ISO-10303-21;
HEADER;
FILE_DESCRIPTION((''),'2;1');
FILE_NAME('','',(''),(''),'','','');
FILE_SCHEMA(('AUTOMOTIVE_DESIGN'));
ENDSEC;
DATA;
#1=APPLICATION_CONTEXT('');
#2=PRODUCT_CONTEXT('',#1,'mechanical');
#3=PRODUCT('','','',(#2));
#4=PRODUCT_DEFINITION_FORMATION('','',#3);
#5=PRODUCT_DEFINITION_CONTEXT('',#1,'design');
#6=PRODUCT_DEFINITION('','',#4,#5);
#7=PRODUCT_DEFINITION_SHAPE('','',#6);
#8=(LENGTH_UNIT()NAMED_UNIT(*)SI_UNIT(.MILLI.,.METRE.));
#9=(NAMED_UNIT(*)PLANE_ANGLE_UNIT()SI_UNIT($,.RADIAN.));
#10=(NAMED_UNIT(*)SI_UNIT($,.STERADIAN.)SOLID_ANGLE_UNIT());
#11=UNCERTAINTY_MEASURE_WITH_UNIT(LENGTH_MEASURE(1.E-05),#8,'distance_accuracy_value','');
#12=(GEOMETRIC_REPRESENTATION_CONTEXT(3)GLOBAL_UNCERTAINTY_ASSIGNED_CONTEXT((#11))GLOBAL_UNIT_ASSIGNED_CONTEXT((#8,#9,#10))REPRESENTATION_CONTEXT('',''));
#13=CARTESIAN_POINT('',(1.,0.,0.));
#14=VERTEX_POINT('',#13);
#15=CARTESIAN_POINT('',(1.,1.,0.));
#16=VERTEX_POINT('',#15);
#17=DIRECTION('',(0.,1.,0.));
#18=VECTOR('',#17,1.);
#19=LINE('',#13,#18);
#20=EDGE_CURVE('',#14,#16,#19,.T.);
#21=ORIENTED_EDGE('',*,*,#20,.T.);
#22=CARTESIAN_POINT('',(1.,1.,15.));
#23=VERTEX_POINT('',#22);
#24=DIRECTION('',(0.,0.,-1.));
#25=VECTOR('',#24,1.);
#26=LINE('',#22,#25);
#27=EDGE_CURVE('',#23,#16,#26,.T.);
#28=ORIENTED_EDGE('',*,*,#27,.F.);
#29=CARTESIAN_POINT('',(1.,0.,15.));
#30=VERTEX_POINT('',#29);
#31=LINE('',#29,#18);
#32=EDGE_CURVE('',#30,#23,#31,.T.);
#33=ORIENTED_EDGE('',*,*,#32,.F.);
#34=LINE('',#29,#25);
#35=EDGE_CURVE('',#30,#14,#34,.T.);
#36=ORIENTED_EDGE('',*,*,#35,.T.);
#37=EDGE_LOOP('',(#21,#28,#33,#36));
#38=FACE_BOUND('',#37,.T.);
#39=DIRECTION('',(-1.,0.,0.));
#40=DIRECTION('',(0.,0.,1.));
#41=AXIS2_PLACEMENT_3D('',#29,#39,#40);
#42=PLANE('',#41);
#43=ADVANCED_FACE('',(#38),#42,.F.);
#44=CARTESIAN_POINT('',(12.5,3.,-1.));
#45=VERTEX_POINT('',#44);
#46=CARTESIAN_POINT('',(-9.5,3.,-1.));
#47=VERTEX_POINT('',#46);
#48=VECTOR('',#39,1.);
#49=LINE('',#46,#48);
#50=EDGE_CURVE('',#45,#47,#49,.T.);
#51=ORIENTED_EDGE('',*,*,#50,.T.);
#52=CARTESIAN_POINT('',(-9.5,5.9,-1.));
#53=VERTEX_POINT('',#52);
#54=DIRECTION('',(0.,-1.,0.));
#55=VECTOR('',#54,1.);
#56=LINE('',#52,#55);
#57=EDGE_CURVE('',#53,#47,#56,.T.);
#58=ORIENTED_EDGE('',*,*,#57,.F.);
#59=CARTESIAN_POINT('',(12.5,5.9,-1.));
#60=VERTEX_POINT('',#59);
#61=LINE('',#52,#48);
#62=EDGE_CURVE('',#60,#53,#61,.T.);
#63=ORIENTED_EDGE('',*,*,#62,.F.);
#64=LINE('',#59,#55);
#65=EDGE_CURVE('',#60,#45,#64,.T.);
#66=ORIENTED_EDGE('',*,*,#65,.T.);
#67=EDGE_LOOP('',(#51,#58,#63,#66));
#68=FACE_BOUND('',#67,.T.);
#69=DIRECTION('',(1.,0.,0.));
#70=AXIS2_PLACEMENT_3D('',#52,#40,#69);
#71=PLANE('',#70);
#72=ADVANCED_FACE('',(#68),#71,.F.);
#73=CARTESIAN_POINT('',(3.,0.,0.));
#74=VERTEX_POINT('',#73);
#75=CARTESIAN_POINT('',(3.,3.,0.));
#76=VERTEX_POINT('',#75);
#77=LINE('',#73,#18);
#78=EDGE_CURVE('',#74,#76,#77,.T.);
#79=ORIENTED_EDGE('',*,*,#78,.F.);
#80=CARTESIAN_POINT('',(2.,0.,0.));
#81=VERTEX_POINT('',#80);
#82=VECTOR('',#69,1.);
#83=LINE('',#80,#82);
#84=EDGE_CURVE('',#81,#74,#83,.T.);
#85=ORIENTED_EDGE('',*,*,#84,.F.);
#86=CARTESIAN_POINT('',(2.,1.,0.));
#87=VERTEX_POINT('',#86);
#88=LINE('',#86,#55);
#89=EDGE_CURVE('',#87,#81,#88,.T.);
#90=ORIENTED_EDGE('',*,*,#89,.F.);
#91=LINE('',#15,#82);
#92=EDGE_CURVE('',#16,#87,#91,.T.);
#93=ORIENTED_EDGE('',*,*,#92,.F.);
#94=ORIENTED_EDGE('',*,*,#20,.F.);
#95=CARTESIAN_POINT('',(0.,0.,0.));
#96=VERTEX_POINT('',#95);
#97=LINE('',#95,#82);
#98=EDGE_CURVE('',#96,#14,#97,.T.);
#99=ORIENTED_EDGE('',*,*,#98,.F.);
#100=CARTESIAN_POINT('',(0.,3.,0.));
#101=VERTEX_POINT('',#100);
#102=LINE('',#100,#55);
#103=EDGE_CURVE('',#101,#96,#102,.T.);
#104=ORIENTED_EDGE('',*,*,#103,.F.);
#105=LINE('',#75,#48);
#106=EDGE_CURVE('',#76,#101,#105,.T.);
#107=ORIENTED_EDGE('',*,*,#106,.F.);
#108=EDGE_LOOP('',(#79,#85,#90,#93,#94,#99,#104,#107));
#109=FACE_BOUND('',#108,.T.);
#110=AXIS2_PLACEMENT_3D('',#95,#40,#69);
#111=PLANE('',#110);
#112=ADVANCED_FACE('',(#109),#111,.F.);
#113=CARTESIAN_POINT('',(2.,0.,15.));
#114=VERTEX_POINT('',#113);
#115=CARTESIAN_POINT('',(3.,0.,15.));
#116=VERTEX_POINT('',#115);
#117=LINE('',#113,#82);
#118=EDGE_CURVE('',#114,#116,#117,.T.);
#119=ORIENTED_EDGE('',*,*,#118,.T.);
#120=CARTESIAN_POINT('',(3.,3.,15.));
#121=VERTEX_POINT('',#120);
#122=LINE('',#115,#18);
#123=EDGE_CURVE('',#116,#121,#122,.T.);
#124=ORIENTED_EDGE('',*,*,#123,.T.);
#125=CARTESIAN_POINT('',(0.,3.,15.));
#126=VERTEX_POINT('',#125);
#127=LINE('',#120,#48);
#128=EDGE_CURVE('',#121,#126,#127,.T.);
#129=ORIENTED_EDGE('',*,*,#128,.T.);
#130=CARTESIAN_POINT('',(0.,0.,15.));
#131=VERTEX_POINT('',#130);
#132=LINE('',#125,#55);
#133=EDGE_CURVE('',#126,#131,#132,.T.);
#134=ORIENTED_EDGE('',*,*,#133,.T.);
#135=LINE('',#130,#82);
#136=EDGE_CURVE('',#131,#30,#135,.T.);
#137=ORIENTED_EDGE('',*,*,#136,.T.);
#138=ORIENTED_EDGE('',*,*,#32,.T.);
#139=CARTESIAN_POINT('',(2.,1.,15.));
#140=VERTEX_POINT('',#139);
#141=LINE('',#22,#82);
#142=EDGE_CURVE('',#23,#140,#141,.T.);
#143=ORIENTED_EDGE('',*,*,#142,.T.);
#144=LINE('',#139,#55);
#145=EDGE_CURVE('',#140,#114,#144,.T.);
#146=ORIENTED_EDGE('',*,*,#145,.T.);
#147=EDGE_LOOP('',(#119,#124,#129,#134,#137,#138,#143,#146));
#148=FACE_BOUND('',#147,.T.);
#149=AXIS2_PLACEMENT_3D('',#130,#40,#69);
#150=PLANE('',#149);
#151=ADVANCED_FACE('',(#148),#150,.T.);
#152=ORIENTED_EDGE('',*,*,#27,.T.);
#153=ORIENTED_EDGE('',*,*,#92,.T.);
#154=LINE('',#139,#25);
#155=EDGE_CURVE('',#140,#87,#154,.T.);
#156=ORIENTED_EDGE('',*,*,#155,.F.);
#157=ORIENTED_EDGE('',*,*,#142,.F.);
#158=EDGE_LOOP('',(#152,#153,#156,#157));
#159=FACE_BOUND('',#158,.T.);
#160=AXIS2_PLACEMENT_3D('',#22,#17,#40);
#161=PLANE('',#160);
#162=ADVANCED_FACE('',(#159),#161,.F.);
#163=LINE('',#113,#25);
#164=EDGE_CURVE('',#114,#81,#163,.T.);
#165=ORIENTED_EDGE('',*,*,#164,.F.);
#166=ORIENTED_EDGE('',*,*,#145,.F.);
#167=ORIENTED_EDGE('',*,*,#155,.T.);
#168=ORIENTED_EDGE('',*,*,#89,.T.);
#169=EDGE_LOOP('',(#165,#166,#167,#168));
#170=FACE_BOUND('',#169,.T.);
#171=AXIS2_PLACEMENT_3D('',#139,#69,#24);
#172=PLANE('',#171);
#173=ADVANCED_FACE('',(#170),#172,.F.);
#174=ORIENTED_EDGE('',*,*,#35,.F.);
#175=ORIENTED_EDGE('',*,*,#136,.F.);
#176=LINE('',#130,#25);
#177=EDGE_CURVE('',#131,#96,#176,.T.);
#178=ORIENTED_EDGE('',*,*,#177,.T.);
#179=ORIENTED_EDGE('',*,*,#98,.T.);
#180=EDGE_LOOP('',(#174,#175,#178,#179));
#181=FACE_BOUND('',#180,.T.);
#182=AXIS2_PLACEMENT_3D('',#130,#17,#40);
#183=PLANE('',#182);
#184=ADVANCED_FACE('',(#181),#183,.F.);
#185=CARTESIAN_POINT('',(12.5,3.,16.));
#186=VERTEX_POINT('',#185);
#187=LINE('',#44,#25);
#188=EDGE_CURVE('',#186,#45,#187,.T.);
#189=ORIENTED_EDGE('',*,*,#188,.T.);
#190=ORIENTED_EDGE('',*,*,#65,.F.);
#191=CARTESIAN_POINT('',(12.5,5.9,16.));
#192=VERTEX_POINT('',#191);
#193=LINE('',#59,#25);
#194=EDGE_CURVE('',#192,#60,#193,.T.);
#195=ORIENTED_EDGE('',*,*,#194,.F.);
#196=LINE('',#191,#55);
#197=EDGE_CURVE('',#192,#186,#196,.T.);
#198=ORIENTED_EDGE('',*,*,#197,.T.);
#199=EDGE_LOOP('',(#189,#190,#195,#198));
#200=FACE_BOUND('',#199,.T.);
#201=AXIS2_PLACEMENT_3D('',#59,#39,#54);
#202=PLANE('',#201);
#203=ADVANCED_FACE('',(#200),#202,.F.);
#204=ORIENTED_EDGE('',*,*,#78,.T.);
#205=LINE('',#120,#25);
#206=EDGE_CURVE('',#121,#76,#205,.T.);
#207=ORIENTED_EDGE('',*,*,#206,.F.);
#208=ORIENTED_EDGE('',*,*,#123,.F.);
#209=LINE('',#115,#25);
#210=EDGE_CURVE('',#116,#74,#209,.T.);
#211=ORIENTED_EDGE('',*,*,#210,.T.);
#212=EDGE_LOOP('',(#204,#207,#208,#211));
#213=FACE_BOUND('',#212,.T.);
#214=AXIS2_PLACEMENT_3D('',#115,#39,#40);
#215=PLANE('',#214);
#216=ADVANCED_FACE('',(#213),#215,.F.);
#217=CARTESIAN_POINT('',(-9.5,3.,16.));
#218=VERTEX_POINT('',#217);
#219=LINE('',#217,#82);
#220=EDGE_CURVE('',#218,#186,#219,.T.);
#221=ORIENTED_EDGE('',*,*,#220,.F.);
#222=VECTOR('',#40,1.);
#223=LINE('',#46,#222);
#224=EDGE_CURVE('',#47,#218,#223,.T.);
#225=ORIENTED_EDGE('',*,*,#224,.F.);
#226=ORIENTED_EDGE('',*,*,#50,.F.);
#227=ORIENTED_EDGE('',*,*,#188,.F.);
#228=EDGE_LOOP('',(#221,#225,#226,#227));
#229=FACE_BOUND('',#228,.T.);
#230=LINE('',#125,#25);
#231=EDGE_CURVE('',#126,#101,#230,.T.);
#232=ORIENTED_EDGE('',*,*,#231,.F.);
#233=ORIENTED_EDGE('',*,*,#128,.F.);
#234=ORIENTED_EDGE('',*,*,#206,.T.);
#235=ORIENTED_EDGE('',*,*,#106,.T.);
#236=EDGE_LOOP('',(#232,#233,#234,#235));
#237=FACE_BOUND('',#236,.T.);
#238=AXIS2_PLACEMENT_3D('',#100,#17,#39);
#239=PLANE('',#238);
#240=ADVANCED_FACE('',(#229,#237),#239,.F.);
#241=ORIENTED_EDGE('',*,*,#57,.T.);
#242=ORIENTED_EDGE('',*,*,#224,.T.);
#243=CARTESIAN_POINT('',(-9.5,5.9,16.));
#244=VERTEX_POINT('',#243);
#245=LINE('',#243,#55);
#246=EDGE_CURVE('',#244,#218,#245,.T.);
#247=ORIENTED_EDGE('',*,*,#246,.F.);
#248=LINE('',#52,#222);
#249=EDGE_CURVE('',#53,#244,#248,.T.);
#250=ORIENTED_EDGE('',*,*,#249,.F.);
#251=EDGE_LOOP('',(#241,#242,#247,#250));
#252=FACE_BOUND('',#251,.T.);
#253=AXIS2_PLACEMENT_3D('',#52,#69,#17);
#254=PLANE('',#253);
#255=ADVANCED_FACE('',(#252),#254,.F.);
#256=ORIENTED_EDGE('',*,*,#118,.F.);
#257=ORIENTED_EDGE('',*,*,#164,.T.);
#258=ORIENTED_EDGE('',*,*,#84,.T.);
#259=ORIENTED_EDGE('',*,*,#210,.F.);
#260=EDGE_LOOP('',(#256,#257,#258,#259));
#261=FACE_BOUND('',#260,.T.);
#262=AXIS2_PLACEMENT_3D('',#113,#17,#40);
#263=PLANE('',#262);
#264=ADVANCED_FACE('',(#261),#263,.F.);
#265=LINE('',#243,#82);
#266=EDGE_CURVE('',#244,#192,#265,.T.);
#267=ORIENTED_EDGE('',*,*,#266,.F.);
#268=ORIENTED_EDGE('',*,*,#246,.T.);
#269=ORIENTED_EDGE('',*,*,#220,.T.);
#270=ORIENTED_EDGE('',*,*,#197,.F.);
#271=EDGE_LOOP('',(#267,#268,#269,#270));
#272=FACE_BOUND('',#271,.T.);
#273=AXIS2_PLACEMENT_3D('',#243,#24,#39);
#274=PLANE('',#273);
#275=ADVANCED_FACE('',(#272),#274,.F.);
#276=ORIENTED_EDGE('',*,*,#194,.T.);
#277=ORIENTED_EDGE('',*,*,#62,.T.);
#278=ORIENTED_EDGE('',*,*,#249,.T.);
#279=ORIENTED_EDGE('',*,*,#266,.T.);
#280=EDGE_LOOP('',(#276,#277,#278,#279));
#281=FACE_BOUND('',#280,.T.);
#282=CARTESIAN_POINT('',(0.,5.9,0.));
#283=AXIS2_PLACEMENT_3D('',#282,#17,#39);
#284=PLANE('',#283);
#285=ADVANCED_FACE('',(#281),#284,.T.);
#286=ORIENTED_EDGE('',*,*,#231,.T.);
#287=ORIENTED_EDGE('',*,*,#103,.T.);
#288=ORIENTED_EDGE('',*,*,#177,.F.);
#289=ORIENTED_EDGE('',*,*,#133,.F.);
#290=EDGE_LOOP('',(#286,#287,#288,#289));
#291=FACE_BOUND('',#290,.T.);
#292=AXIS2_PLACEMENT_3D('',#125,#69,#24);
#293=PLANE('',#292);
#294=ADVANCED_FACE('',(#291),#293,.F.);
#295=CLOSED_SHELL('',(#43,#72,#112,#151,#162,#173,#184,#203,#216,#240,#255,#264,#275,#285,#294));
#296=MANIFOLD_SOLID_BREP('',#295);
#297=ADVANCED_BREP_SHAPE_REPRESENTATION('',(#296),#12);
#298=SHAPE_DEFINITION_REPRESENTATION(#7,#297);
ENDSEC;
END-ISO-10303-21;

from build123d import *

# Parameters (mm, degrees)
BOSS_EXTRUDE1_DEPTH = 15
SKETCH2_W           = 22
SKETCH2_H           = 17
BOSS_EXTRUDE2_DEPTH = 2.9


with BuildPart() as part:
    # Sketch1 → Boss-Extrude1 (new body)
    with BuildSketch(Plane.XY):
        Polygon((0, 0), (1, 0), (1, 1), (2, 1), (2, 0), (3, 0), (3, 3), (0, 3), align=None)
    extrude(amount=BOSS_EXTRUDE1_DEPTH)

    # Sketch2 → Boss-Extrude2 (add)
    with BuildSketch(Plane(origin=(0, 3, 0), x_dir=(1, 0, 0), z_dir=(0, 1, 0))):
        with Locations((1.5, -7.5)):
            Rectangle(SKETCH2_W, SKETCH2_H)
    extrude(amount=BOSS_EXTRUDE2_DEPTH)


solid = part.part
